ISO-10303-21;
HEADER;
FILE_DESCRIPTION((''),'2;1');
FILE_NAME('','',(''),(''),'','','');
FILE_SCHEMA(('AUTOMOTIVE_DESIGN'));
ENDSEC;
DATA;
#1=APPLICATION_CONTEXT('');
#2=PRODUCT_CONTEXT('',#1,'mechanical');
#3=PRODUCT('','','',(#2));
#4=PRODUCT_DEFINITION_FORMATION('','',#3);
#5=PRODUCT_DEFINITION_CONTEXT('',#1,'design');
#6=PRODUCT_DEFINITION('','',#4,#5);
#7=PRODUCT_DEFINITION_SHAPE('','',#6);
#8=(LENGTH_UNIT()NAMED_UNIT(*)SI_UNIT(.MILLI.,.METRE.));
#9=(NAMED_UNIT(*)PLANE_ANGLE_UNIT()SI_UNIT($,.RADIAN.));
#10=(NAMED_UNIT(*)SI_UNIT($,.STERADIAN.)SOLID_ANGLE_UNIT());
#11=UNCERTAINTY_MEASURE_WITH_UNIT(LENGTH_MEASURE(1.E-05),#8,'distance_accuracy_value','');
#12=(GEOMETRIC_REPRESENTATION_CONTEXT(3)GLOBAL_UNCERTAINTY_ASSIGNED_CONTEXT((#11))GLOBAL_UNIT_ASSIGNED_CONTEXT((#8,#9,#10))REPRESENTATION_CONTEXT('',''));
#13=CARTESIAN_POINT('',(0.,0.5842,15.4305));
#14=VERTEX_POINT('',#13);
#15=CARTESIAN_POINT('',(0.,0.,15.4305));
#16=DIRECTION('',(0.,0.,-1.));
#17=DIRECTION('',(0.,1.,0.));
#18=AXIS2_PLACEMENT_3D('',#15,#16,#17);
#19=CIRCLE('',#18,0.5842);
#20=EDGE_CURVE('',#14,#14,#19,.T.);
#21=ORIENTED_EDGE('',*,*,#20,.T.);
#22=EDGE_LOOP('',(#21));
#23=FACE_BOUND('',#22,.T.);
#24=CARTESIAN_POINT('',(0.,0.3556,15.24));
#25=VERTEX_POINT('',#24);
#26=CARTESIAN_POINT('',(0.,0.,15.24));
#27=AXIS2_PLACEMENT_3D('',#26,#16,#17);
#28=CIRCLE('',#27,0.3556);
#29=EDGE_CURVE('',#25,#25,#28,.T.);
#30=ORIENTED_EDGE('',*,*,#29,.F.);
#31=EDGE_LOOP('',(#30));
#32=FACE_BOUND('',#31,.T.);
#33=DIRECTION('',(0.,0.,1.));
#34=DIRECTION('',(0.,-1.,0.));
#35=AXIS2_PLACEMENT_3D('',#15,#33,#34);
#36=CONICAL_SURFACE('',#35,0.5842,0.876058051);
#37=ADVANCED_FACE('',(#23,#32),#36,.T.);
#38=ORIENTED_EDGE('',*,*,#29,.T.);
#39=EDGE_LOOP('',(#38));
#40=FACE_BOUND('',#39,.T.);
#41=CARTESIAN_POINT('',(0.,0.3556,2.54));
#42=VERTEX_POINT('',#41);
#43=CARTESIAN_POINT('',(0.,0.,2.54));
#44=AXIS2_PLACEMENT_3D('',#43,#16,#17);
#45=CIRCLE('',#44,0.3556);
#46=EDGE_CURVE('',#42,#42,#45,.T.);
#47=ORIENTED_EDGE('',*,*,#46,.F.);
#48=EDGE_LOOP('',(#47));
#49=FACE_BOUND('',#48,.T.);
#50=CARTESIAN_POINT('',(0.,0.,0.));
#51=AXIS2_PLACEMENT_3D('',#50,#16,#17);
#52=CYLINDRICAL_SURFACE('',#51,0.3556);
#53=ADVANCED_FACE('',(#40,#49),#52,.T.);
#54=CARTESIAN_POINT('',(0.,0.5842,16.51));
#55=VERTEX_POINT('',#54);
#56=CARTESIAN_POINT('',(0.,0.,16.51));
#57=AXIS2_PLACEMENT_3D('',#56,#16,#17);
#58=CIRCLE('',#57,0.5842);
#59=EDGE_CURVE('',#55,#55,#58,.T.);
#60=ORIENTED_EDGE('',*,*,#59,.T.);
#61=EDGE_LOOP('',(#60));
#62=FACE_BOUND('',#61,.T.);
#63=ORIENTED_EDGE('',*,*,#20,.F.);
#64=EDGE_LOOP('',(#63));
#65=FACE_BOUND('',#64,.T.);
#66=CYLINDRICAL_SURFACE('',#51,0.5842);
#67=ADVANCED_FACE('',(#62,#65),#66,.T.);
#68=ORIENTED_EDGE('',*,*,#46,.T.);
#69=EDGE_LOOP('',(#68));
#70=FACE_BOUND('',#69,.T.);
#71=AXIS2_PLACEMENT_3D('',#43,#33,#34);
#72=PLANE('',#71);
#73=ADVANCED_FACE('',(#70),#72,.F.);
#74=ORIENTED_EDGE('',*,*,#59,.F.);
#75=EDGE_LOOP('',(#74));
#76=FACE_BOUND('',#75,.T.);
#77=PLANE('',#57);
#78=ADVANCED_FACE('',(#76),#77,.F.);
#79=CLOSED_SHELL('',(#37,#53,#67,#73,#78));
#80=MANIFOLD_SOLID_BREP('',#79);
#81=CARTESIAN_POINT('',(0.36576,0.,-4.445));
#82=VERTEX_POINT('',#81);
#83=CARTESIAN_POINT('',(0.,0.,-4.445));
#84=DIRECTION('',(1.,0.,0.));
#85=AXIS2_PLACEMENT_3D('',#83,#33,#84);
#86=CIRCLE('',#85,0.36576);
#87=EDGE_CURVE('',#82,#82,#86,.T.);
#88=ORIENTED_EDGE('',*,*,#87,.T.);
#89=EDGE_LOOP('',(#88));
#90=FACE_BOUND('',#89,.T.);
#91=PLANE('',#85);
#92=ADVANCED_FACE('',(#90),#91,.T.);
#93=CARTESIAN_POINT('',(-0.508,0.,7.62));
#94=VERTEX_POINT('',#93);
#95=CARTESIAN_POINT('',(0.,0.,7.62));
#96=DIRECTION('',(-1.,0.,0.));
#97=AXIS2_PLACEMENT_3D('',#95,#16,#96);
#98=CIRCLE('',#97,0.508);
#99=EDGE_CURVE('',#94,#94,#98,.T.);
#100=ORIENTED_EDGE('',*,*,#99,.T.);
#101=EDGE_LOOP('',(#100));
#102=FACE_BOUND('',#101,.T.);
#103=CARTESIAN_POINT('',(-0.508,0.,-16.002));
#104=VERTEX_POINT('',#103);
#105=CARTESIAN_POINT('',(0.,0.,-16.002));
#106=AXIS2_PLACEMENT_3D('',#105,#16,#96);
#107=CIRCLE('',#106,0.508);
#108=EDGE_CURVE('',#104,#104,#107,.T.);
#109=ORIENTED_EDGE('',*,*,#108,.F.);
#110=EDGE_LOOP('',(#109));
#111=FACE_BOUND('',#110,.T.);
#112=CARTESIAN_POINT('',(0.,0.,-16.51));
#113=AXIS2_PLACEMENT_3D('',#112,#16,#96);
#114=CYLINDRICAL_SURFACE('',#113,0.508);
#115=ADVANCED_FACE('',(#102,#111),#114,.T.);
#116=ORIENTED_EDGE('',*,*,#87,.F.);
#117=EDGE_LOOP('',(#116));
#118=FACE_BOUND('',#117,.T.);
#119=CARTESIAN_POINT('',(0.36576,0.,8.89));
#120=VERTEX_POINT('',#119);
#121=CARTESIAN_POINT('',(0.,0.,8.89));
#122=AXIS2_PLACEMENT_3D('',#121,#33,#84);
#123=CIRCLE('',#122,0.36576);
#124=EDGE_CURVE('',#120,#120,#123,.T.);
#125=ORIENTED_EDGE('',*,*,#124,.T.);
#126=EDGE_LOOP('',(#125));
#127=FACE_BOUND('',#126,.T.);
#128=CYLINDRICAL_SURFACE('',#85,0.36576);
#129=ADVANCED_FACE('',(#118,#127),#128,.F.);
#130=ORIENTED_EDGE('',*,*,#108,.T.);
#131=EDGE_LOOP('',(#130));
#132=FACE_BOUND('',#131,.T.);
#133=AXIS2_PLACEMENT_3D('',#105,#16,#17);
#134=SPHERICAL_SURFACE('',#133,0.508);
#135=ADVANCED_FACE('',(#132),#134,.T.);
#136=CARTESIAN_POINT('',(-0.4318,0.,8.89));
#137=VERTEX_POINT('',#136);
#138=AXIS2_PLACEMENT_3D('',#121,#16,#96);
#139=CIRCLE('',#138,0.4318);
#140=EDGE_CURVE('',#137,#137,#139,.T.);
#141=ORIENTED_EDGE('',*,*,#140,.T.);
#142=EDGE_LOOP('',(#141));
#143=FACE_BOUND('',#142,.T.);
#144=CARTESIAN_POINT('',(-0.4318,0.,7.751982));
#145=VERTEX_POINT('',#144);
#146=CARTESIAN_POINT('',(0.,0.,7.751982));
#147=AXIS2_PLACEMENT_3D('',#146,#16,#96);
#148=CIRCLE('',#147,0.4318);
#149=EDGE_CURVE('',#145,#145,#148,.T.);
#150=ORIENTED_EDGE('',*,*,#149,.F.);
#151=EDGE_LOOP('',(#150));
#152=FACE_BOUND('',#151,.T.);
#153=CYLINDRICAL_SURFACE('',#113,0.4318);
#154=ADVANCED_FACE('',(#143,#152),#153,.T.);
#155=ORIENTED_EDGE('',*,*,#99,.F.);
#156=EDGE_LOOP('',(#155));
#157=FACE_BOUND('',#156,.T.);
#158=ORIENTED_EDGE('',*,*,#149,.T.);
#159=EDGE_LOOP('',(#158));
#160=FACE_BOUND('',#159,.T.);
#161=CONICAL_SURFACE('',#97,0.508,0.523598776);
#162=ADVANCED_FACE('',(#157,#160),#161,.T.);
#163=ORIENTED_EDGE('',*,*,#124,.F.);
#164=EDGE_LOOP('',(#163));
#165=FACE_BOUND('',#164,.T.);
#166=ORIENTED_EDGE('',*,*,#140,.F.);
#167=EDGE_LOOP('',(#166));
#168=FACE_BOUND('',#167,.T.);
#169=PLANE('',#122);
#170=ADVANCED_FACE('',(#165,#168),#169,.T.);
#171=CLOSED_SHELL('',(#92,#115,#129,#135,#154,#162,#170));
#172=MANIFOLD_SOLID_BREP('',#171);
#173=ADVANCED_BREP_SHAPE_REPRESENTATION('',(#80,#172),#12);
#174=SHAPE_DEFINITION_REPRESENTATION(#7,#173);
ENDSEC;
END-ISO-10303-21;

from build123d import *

# Parameters (mm, degrees)
SKETCH4_R          = 0.36576
CUT_EXTRUDE1_DEPTH = 13.335


with BuildPart() as part:
    # Sketch2 → Revolve1 (revolve)
    with BuildSketch(Plane(origin=(0, 0, 0), x_dir=(0, 0, -1), z_dir=(1, 0, 0))):
        with BuildLine():
            Line((-7.62, 0.508), (16.002, 0.508))
            ThreePointArc((16.002, 0.508), (16.361210245, 0.359210245), (16.51, 0))
            Line((16.51, 0), (-8.89, 0))
            Line((-8.89, 0), (-8.89, 0.4318))
            Line((-8.89, 0.4318), (-7.751982272, 0.4318))
            Line((-7.751982272, 0.4318), (-7.62, 0.508))
        make_face()
    revolve(axis=Axis((0, 0, -16.51), (0, 0, 1)))

    # Sketch4 → Cut-Extrude1 (cut)
    with BuildSketch(Plane.XY.offset(8.89)):
        Circle(SKETCH4_R)
    extrude(amount=-CUT_EXTRUDE1_DEPTH, mode=Mode.SUBTRACT)


with BuildPart() as body_2:
    # Sketch3 → Revolve2 (revolve)
    with BuildSketch(Plane(origin=(0, 0, 0), x_dir=(0, 0, -1), z_dir=(1, 0, 0))):
        Polygon((-16.51, 0.5842), (-16.51, 0), (-2.54, 0), (-2.54, 0.3556), (-15.24, 0.3556), (-15.4305, 0.5842), align=None)
    revolve(axis=Axis((0, 0, 0), (0, 0, 1)))


solid = Compound([part.part, body_2.part])
